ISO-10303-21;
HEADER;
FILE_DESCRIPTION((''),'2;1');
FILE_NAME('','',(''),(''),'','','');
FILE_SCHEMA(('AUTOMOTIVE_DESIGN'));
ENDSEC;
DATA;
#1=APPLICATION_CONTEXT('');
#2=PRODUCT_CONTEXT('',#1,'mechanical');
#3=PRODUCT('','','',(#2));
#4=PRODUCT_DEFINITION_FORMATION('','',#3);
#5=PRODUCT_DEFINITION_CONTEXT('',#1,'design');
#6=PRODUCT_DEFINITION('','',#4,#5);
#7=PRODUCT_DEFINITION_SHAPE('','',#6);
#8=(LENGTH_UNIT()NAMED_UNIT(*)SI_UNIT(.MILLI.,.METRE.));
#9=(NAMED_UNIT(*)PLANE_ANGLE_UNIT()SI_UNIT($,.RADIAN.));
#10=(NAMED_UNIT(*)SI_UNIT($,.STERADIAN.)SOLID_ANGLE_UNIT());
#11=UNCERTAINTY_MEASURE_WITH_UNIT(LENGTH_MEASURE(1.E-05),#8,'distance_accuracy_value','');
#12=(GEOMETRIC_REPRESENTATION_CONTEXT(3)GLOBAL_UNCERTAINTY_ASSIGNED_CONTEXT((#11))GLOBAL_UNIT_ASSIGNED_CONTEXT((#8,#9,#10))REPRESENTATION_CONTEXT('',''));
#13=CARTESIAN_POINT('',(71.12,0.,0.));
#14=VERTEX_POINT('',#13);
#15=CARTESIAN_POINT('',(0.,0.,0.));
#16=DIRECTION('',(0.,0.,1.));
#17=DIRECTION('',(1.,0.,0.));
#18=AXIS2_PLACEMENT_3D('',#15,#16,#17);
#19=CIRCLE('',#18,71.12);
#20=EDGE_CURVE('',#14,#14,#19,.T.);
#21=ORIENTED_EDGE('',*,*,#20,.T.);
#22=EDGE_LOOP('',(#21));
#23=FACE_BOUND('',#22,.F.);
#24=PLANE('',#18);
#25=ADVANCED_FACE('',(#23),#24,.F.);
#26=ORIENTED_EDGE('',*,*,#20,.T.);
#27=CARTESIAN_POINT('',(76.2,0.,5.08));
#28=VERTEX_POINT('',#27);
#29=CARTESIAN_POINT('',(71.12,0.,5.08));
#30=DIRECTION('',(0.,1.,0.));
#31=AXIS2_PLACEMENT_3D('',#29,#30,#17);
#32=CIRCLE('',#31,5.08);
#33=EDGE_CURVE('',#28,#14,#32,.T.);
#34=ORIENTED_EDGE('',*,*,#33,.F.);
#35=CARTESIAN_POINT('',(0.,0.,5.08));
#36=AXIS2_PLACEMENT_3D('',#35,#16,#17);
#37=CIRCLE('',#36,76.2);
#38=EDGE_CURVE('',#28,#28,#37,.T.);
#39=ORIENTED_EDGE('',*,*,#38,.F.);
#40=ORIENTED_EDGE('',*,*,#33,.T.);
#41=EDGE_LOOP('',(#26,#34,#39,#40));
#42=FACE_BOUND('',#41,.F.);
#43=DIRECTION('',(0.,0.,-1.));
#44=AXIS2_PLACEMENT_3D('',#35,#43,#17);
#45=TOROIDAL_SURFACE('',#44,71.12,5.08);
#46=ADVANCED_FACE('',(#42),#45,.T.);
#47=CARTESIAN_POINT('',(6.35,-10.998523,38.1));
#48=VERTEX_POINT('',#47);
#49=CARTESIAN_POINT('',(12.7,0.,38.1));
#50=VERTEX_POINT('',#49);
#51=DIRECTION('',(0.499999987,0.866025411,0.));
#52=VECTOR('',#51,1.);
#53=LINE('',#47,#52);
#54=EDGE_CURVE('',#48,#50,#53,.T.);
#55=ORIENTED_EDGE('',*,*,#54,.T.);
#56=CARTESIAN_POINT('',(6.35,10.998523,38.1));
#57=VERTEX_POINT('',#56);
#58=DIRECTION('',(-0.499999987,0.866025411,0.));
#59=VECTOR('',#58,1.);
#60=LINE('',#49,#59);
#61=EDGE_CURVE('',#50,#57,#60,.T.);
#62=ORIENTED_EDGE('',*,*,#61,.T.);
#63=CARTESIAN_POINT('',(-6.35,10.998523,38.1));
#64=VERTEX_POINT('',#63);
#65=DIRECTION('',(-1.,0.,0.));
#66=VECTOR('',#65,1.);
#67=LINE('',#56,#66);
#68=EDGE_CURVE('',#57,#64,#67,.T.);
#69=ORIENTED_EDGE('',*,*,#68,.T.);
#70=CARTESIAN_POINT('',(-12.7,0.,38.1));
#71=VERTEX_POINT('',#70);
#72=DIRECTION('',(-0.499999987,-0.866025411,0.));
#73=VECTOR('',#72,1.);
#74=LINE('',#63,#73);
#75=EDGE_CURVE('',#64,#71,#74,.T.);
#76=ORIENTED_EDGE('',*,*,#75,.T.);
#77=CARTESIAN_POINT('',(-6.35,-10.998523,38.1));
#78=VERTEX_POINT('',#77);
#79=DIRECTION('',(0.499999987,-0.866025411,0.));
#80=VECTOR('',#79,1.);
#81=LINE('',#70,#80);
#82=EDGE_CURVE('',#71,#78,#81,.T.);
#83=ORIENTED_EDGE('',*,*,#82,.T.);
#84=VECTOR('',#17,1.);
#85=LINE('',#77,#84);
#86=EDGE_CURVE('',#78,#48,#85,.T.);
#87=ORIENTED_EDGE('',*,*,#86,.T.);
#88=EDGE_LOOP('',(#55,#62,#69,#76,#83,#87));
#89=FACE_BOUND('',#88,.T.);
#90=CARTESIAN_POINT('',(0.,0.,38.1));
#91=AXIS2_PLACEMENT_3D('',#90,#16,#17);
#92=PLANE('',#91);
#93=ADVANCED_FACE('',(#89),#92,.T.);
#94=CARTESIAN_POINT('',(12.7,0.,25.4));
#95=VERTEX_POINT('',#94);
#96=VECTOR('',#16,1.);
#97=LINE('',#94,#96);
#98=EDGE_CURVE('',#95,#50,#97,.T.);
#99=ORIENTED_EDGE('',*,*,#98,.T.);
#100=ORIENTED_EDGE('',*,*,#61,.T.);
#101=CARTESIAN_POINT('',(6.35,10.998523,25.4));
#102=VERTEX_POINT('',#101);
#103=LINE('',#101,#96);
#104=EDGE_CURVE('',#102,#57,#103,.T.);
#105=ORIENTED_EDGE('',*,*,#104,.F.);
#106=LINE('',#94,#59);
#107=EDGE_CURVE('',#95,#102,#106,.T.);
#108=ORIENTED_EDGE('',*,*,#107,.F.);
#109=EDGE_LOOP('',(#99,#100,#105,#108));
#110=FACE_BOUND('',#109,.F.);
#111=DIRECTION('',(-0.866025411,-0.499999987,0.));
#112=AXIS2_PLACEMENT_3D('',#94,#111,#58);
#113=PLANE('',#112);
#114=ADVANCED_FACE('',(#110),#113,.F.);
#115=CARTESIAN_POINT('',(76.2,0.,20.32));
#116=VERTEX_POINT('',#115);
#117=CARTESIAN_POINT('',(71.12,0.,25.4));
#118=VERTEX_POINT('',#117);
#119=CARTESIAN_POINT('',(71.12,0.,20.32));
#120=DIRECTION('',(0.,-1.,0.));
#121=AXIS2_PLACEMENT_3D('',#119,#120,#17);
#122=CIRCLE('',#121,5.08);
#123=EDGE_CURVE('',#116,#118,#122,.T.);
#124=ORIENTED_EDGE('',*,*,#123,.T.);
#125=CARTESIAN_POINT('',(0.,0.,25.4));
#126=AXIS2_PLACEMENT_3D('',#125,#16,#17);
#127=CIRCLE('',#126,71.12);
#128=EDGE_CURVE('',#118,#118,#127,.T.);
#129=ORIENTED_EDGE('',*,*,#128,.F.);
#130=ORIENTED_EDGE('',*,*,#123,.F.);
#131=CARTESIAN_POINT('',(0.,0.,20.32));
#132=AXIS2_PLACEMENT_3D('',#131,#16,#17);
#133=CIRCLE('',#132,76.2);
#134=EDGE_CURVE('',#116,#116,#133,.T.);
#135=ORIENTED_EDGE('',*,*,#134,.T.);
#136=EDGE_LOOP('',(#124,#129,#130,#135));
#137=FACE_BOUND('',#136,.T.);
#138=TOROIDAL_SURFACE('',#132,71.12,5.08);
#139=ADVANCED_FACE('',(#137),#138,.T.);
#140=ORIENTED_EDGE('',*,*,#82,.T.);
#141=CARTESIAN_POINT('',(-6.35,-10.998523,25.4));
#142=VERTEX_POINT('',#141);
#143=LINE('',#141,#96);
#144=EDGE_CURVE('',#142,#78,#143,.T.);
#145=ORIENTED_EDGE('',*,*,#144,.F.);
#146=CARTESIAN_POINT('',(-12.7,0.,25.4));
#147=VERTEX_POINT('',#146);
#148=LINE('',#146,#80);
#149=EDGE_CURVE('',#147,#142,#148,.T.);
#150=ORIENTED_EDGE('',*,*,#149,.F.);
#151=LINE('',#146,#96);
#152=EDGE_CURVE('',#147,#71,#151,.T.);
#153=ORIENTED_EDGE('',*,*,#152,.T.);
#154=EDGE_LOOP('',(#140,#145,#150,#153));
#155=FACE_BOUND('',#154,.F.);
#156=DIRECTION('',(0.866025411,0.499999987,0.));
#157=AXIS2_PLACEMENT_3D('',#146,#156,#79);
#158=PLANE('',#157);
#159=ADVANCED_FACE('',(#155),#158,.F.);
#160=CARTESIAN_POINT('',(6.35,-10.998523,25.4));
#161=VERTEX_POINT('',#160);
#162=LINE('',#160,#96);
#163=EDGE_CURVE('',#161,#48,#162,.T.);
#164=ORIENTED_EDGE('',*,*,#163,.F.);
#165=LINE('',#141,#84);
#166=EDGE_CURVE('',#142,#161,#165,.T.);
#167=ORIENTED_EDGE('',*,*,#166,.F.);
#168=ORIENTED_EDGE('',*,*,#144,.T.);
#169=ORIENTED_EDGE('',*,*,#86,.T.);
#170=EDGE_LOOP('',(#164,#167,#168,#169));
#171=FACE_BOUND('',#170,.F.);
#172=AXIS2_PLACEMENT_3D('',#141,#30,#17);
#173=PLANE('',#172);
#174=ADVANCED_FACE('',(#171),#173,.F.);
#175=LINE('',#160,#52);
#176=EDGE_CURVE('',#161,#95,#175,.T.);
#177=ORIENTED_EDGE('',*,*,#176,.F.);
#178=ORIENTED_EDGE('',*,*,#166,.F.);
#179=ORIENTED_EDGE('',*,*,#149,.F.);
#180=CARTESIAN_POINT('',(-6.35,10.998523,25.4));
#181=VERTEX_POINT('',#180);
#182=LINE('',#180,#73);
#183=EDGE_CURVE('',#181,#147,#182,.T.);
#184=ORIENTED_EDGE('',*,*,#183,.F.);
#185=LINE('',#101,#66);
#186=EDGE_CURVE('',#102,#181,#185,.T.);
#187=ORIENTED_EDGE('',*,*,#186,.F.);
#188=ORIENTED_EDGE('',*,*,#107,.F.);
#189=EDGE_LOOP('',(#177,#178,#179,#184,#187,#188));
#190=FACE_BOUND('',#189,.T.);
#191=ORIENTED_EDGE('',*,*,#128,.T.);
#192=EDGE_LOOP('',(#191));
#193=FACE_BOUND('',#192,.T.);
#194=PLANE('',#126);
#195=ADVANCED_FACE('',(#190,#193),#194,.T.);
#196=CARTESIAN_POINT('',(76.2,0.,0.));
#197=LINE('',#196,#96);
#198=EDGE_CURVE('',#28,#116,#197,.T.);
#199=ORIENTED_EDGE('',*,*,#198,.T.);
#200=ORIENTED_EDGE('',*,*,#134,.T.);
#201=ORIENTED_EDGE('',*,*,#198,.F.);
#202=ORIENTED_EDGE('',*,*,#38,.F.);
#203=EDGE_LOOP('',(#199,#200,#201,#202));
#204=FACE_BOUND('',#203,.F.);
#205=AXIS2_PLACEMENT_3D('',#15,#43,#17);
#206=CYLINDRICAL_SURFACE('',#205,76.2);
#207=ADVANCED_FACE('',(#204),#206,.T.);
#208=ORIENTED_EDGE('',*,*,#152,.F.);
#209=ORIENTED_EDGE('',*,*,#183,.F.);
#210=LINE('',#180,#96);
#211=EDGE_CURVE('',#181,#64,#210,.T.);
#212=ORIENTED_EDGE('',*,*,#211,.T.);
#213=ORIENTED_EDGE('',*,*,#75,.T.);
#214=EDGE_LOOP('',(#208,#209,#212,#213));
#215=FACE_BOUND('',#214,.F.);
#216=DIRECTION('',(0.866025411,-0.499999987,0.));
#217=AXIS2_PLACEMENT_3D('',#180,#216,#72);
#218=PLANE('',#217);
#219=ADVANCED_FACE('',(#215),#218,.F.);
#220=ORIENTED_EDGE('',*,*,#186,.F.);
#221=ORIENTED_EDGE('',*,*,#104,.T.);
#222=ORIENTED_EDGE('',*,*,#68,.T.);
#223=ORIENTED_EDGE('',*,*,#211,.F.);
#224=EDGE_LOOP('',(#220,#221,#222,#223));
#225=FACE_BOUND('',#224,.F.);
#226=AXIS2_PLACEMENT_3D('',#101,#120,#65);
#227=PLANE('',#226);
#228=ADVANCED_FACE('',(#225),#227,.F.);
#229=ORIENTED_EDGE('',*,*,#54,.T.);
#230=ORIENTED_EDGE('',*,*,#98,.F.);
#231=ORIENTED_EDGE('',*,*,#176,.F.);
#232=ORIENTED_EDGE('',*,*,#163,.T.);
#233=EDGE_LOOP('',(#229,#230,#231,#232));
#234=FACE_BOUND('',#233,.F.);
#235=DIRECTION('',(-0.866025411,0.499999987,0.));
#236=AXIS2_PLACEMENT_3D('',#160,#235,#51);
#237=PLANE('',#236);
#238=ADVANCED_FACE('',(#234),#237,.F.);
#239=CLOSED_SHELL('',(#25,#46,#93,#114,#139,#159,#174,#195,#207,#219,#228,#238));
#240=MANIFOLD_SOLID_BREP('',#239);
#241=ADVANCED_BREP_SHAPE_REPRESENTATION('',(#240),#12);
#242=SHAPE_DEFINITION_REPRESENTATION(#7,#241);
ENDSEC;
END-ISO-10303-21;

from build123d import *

# Parameters (mm, degrees)
F0_R     = 76.2
F1_DEPTH = 25.4
F2_R     = 5.08
F4_DEPTH = 12.7


with BuildPart() as f1:
    # F0 (on Top) → F1 (new body)
    with BuildSketch(Plane.XY):
        Circle(F0_R)
    extrude(amount=F1_DEPTH)

    # F2
    f2_edges = [f1.edges().sort_by_distance(p)[0] for p in [
        (-76.2, 0, 25.4),
        (-76.2, 0, 0),
    ]]
    fillet(f2_edges, radius=F2_R)

    # F3 (on face) → F4 (join)
    with BuildSketch(Plane.XY.offset(25.4)):
        Polygon((-6.35, -10.998523), (6.35, -10.998523), (12.7, 0), (6.35, 10.998523), (-6.35, 10.998523), (-12.7, 0), align=None)
    extrude(amount=F4_DEPTH)


solid = f1.part
